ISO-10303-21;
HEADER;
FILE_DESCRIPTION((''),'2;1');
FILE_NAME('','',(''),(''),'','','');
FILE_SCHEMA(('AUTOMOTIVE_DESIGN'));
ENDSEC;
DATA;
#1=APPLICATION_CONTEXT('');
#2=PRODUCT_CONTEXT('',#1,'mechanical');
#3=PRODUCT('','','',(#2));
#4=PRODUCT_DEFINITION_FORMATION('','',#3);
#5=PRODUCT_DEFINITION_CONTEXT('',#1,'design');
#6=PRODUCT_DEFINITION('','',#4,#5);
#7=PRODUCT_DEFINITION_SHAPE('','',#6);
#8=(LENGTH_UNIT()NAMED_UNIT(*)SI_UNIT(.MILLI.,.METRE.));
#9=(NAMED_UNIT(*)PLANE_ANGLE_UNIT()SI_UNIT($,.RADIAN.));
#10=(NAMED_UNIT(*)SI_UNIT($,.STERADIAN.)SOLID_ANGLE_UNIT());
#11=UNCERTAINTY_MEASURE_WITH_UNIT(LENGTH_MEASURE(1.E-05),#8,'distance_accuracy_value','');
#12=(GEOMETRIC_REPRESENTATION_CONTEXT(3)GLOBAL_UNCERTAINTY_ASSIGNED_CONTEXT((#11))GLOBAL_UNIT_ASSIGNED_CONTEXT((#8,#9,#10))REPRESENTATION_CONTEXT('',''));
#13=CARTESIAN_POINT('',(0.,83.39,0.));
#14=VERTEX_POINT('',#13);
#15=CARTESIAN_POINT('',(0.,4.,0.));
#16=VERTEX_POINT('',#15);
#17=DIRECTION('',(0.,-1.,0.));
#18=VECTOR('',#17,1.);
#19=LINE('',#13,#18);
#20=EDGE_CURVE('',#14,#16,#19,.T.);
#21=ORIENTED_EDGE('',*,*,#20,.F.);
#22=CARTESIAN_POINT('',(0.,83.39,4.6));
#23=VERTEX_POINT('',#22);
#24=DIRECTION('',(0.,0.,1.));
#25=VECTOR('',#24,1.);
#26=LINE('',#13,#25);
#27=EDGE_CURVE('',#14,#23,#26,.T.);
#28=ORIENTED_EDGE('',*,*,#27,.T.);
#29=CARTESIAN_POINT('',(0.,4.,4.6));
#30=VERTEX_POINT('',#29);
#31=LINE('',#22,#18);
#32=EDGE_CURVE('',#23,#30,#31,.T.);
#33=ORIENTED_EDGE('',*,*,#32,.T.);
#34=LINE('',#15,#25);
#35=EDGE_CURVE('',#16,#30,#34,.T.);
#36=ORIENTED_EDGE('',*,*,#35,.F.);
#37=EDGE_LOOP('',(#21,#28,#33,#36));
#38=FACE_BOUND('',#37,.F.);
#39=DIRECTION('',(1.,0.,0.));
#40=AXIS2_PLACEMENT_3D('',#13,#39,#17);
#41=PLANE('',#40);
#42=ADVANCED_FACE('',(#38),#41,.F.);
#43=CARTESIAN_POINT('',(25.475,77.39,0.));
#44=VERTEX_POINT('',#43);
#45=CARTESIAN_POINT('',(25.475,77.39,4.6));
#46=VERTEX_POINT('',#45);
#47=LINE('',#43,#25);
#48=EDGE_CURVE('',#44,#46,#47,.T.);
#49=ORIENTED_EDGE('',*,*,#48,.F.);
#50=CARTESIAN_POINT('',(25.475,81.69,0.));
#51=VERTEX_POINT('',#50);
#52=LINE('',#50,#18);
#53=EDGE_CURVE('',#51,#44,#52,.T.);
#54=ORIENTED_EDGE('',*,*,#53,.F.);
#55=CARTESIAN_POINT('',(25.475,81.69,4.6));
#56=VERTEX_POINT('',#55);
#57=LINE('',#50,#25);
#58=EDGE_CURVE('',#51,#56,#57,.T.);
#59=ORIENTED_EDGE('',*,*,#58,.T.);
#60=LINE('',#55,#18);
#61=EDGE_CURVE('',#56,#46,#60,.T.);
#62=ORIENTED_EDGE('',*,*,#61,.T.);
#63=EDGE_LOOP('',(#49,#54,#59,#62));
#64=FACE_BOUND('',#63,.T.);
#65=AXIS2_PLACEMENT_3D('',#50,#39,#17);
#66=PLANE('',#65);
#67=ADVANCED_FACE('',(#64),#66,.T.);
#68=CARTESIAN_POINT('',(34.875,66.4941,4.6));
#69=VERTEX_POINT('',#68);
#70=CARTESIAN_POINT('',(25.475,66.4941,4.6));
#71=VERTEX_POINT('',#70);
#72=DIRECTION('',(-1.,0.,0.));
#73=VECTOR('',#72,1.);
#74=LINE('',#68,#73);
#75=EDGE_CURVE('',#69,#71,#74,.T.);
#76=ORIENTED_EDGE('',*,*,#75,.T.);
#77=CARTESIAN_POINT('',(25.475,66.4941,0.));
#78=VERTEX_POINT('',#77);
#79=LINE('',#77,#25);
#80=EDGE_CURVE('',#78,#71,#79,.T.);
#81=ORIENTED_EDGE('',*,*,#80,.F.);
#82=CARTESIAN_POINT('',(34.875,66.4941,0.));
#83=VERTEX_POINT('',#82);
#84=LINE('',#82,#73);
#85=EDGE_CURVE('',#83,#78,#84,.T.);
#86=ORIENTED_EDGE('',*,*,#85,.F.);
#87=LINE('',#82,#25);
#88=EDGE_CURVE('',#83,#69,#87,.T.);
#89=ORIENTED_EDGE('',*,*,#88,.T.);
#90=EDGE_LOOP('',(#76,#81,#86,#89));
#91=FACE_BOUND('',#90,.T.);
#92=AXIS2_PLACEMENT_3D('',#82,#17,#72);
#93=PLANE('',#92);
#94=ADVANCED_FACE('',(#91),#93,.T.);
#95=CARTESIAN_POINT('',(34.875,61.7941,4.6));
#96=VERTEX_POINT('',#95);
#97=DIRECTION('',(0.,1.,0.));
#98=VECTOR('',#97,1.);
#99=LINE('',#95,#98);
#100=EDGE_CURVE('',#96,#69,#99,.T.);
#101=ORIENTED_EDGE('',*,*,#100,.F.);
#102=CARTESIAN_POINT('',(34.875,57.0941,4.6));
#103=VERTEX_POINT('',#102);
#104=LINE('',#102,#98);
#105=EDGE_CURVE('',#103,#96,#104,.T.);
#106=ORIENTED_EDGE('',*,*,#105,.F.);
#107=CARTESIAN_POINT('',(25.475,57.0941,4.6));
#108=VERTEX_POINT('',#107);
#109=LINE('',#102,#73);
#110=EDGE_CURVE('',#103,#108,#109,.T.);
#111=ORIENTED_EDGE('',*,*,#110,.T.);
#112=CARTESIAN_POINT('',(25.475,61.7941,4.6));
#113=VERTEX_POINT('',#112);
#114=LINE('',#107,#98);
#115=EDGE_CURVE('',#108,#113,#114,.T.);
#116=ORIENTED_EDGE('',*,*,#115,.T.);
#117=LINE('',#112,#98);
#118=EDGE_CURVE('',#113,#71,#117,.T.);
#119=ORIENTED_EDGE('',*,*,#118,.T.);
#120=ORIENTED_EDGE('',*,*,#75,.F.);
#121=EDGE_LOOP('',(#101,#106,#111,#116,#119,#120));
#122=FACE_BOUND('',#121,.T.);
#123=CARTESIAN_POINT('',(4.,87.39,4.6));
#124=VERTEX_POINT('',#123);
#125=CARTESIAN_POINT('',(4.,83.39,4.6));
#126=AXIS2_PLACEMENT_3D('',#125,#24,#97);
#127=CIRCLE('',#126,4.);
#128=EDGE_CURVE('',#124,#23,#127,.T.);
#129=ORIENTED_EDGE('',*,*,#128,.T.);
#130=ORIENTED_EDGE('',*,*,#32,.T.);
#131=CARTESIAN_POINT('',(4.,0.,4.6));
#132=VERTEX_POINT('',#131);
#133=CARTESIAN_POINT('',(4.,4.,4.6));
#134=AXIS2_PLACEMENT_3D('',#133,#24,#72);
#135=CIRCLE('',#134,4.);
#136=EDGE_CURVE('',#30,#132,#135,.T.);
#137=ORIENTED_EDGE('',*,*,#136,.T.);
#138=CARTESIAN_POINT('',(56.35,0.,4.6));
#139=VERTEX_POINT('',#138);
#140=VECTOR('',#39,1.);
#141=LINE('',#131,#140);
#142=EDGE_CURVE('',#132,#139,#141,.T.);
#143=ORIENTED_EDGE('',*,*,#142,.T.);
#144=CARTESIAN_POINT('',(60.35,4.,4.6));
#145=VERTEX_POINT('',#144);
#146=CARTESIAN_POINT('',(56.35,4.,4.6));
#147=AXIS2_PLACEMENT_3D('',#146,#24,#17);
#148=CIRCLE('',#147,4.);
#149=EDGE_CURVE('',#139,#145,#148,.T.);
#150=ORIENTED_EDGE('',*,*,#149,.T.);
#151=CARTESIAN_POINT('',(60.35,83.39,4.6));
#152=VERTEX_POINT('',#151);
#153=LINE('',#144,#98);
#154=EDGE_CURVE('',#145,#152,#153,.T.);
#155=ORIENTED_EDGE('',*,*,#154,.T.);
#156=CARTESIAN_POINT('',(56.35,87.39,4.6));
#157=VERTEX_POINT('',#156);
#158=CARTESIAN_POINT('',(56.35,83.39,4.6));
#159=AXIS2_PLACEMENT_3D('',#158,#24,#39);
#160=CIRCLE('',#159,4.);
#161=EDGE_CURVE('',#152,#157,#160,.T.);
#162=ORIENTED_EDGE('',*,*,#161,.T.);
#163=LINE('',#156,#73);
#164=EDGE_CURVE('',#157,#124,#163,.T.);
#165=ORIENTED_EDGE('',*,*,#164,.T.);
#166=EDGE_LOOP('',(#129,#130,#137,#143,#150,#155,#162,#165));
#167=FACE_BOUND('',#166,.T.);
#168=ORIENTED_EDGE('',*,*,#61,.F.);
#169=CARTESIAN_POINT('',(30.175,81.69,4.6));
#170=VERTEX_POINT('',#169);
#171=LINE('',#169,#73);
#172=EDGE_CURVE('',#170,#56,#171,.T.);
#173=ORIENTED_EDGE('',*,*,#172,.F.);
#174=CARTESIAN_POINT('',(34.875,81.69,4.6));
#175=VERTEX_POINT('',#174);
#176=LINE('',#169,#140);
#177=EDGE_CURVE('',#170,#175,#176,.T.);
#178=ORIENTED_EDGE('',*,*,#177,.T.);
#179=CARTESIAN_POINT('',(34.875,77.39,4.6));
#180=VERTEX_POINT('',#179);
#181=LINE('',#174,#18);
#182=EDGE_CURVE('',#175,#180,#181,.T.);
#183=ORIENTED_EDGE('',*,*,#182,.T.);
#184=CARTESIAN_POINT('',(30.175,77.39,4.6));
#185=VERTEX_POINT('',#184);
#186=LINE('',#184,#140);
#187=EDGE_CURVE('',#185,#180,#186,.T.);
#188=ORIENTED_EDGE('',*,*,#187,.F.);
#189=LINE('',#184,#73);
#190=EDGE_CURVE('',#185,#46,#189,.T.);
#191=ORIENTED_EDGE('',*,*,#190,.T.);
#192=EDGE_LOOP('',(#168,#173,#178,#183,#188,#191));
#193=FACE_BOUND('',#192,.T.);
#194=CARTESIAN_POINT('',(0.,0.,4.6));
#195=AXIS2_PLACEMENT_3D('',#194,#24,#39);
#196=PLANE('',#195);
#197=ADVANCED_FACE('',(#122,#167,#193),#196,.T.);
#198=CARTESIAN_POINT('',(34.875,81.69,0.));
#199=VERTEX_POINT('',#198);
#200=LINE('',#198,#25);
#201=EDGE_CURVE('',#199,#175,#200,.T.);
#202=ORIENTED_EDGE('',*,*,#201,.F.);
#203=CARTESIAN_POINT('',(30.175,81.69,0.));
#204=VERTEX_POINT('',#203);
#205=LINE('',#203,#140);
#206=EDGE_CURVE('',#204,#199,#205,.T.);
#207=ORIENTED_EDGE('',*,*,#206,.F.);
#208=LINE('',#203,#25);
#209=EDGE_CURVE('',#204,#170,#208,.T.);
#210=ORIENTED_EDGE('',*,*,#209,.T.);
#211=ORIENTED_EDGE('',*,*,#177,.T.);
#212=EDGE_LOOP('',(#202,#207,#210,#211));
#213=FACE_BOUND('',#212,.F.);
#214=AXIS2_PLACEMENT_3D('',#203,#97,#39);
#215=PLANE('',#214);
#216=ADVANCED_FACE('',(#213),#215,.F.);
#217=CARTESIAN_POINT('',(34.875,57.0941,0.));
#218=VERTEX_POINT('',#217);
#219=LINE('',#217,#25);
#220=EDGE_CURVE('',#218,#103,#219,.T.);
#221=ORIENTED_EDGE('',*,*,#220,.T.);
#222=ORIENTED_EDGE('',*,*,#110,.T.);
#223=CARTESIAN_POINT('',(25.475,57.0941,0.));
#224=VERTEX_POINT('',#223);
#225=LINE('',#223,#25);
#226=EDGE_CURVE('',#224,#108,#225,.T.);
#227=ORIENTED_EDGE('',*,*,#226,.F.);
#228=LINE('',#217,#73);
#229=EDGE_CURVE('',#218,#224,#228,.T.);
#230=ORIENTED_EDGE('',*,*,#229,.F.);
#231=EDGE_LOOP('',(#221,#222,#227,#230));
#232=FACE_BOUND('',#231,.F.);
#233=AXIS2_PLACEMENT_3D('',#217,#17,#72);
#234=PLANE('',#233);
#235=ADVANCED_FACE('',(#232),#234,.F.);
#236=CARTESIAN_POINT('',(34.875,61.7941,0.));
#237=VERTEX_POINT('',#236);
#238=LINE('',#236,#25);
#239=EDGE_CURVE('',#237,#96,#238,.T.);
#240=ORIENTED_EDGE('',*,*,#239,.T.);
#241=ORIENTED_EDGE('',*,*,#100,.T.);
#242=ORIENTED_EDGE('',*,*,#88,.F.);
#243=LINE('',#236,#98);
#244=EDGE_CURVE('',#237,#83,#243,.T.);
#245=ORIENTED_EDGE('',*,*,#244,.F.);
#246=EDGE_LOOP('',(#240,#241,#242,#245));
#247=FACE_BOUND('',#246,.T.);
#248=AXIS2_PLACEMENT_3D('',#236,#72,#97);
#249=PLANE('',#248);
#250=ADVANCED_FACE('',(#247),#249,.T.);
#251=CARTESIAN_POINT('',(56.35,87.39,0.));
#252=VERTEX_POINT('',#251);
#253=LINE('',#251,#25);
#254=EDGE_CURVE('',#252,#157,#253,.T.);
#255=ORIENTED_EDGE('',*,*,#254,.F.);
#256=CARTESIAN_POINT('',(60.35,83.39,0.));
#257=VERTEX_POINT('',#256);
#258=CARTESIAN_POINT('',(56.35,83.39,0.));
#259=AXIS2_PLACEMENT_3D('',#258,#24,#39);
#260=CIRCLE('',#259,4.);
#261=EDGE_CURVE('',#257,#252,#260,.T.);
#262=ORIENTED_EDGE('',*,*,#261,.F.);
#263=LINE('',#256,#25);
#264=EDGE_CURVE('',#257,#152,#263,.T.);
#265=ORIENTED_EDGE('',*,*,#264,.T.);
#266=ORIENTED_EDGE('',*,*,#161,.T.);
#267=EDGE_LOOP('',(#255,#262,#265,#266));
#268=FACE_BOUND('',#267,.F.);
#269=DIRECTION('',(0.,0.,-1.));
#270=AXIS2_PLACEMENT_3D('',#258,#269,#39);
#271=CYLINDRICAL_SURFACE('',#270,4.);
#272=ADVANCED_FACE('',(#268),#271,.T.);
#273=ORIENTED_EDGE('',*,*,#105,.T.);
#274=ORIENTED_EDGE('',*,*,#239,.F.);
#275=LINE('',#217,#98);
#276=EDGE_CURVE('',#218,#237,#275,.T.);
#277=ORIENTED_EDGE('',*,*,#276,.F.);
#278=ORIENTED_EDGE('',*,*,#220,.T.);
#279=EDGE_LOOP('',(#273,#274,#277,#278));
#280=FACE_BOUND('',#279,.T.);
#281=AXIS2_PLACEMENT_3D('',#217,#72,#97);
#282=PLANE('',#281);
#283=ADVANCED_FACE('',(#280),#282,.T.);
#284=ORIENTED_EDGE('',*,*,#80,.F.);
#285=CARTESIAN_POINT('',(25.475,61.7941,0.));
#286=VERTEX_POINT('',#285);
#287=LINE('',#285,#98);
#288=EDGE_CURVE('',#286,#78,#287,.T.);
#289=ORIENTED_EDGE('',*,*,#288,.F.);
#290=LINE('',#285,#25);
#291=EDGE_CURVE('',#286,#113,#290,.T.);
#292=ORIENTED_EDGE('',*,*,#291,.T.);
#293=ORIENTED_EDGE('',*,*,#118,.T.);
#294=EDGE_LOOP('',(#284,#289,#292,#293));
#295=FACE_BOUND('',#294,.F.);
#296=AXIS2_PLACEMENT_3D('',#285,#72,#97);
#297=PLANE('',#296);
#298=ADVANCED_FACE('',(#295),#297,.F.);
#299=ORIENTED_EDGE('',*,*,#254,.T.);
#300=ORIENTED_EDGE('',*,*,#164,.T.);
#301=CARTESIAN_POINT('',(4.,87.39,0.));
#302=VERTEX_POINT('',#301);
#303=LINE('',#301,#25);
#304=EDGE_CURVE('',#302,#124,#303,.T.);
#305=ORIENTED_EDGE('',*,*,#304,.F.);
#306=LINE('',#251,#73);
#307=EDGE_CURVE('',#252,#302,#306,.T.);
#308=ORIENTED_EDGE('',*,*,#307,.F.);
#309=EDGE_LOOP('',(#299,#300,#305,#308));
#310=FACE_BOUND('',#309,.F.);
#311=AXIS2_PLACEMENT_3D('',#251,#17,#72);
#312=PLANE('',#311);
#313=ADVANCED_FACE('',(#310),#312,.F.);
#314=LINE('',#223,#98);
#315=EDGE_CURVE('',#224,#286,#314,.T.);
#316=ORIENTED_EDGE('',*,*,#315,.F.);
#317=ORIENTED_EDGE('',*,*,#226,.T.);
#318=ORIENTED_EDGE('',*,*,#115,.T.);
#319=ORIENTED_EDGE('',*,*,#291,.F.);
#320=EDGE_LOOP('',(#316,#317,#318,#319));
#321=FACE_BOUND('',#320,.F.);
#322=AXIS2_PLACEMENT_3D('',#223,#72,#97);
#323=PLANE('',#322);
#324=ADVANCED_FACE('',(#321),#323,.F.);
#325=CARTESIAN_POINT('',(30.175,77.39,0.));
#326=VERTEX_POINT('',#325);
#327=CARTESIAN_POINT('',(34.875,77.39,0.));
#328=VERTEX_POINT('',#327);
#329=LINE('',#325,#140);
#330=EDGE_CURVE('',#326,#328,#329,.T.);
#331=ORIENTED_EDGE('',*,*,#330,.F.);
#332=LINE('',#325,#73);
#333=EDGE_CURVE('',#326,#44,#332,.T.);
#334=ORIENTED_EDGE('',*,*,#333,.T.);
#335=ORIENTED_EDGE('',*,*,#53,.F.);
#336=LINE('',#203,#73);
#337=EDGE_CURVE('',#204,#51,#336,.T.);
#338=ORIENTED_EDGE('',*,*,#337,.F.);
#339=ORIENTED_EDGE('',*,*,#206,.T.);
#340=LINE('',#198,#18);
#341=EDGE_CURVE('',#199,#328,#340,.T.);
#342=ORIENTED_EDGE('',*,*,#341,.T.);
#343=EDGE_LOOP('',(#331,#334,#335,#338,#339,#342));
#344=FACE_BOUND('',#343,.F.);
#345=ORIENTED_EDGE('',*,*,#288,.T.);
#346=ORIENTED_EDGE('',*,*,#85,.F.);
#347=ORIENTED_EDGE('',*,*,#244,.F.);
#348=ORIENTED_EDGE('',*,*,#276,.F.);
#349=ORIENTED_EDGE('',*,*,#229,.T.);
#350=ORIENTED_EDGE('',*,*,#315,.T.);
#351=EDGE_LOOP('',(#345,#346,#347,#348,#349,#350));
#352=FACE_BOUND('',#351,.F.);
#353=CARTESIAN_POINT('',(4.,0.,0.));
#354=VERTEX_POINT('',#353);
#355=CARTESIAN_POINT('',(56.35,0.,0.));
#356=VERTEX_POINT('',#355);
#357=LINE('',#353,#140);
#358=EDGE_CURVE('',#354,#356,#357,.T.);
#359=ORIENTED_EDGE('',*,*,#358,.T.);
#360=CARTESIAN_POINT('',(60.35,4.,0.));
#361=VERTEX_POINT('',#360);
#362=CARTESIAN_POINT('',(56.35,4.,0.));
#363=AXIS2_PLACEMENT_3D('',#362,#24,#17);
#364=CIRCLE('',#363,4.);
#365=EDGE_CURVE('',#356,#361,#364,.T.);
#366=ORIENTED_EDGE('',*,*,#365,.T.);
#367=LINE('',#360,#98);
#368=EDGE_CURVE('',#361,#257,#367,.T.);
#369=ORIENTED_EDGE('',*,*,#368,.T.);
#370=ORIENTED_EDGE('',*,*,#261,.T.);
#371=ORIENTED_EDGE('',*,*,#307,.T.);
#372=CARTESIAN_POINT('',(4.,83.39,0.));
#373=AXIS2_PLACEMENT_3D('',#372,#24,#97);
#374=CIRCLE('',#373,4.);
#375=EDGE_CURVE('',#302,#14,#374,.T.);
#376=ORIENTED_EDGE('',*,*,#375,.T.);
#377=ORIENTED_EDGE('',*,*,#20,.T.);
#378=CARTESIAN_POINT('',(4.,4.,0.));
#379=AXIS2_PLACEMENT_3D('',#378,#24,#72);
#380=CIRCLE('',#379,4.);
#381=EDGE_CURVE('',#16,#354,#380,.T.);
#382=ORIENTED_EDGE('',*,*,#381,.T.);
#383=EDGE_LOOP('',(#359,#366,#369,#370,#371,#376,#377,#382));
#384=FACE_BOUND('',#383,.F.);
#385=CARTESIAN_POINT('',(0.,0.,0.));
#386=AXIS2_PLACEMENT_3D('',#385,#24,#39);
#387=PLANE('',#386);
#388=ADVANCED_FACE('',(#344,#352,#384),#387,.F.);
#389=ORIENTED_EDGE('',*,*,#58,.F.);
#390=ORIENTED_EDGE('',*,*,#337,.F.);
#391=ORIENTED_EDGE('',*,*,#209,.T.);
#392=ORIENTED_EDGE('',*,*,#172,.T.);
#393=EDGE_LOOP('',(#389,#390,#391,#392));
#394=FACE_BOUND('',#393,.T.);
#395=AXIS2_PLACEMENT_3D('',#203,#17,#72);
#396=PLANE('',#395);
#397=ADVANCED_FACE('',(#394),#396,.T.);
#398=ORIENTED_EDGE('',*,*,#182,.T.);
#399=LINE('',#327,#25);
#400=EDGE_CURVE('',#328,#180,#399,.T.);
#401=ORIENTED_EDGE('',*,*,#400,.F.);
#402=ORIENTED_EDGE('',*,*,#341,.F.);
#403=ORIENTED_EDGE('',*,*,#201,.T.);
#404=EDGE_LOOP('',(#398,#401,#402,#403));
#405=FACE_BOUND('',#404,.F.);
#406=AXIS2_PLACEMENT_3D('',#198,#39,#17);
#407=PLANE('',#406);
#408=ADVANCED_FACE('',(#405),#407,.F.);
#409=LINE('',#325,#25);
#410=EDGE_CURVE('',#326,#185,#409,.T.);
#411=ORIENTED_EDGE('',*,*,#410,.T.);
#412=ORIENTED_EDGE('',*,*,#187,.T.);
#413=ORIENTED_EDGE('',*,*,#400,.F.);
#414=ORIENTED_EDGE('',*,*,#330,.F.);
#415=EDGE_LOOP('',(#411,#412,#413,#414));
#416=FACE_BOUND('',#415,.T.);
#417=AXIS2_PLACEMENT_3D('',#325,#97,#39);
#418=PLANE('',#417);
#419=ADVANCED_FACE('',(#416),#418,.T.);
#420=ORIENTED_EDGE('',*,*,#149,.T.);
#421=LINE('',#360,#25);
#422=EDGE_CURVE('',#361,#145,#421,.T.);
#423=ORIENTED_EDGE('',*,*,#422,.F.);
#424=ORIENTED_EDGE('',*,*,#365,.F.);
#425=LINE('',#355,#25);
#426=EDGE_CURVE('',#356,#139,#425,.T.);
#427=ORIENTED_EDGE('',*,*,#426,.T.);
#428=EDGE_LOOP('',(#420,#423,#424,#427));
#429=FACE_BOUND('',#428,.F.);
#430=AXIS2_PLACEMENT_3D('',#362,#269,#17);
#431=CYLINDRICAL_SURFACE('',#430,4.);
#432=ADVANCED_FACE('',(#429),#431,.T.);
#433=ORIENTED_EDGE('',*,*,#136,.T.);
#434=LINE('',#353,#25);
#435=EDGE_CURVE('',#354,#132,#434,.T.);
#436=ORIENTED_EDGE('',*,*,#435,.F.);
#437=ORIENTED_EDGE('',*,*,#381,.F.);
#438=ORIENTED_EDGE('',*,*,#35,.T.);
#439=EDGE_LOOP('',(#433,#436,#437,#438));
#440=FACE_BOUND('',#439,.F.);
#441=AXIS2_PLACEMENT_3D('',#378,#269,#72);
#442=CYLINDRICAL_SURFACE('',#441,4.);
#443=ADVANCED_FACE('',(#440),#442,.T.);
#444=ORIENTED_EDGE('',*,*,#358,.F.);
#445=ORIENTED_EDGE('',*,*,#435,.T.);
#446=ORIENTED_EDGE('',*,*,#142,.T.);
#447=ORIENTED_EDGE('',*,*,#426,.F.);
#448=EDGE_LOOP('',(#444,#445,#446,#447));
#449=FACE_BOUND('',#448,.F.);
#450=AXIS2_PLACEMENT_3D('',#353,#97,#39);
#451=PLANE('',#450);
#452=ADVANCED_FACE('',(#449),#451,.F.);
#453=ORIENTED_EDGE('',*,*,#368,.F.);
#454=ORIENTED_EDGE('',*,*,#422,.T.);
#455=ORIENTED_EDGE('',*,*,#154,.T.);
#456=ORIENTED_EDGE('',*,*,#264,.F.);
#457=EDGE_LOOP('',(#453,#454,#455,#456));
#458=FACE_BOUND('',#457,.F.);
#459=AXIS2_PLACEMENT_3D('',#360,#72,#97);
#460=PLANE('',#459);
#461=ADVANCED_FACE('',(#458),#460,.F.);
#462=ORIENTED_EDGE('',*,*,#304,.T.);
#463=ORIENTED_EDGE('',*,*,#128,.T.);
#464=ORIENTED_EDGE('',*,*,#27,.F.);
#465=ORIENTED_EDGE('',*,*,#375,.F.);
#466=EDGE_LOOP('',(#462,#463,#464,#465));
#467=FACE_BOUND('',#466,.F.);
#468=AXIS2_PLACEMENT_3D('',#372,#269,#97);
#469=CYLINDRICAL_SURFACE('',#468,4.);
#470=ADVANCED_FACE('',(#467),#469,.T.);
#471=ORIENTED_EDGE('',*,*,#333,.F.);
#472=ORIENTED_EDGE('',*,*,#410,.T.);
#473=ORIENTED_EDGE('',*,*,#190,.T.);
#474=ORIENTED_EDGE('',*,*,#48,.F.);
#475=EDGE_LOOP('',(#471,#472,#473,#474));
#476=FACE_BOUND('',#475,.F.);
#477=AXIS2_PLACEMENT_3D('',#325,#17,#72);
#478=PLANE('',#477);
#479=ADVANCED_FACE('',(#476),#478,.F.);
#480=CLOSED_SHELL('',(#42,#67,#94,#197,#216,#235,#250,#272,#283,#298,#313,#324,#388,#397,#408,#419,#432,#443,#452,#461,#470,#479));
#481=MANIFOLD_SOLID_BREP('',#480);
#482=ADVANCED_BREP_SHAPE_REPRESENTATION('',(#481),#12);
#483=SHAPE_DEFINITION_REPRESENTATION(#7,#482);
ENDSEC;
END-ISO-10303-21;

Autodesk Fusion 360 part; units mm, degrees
sketch "Sketch1" plane through (0, 0, 0) normal (0, 0, 1) x (1, 0, 0)
  line L0 (4, 0) -> (56.35, 0)
  line L1 (60.35, 4) -> (60.35, 83.39)
  line L2 (56.35, 87.39) -> (4, 87.39)
  line L3 (0, 83.39) -> (0, 4)
  arc A0 (4, 87.39) -> (0, 83.39) centre (4, 83.39) ccw
  arc A1 (60.35, 83.39) -> (56.35, 87.39) centre (56.35, 83.39) ccw
  arc A2 (56.35, 0) -> (60.35, 4) centre (56.35, 4) ccw
  arc A3 (0, 4) -> (4, 0) centre (4, 4) ccw
  line L4 (30.175, 81.69) -> (25.475, 81.69)
  line L5 (30.175, 81.69) -> (34.875, 81.69)
  line L6 (30.175, 77.39) -> (25.475, 77.39)
  line L7 (30.175, 77.39) -> (34.875, 77.39)
  line L8 (25.475, 81.69) -> (25.475, 77.39)
  line L9 (34.875, 81.69) -> (34.875, 77.39)
  line L10 (34.875, 66.4941) -> (25.475, 66.4941)
  line L11 (34.875, 57.0941) -> (25.475, 57.0941)
  line L12 (34.875, 57.0941) -> (34.875, 61.7941)
  line L13 (34.875, 61.7941) -> (34.875, 66.4941)
  line L14 (25.475, 57.0941) -> (25.475, 61.7941)
  line L15 (25.475, 61.7941) -> (25.475, 66.4941)
  point P0 (60.35, 0)
  point P1 (0, 87.39)
  dimension "d6" = 60.35
  dimension "d7" = 87.39
  dimension "d9" = 4
  dimension "d10" = 4
  dimension "d11" = 4
  dimension "d12" = 4
  dimension "d16" = 4.3
extrude "Extrude2" add sketch "Sketch1" along normal blind 4.6
extrude "Extrude1" [suppressed]
equation "long_side_length = 87.39 mm"
equation "short_side_length = 60.35 mm"
equation "kerf = 0.6 mm"
equation "notch_depth = 10 mm"
equation "thickness = 4.6 mm"
equation "d6 = short_side_length"
equation "d7 = long_side_length"
equation "rounded_edge_length = 4 mm"
equation "d9 = rounded_edge_length"
equation "d10 = rounded_edge_length"
equation "d11 = rounded_edge_length"
equation "d12 = rounded_edge_length"
equation "d16 = thickness - ( kerf / 2 )"
equation "d22 = thickness"
equation "d43 = thickness"
